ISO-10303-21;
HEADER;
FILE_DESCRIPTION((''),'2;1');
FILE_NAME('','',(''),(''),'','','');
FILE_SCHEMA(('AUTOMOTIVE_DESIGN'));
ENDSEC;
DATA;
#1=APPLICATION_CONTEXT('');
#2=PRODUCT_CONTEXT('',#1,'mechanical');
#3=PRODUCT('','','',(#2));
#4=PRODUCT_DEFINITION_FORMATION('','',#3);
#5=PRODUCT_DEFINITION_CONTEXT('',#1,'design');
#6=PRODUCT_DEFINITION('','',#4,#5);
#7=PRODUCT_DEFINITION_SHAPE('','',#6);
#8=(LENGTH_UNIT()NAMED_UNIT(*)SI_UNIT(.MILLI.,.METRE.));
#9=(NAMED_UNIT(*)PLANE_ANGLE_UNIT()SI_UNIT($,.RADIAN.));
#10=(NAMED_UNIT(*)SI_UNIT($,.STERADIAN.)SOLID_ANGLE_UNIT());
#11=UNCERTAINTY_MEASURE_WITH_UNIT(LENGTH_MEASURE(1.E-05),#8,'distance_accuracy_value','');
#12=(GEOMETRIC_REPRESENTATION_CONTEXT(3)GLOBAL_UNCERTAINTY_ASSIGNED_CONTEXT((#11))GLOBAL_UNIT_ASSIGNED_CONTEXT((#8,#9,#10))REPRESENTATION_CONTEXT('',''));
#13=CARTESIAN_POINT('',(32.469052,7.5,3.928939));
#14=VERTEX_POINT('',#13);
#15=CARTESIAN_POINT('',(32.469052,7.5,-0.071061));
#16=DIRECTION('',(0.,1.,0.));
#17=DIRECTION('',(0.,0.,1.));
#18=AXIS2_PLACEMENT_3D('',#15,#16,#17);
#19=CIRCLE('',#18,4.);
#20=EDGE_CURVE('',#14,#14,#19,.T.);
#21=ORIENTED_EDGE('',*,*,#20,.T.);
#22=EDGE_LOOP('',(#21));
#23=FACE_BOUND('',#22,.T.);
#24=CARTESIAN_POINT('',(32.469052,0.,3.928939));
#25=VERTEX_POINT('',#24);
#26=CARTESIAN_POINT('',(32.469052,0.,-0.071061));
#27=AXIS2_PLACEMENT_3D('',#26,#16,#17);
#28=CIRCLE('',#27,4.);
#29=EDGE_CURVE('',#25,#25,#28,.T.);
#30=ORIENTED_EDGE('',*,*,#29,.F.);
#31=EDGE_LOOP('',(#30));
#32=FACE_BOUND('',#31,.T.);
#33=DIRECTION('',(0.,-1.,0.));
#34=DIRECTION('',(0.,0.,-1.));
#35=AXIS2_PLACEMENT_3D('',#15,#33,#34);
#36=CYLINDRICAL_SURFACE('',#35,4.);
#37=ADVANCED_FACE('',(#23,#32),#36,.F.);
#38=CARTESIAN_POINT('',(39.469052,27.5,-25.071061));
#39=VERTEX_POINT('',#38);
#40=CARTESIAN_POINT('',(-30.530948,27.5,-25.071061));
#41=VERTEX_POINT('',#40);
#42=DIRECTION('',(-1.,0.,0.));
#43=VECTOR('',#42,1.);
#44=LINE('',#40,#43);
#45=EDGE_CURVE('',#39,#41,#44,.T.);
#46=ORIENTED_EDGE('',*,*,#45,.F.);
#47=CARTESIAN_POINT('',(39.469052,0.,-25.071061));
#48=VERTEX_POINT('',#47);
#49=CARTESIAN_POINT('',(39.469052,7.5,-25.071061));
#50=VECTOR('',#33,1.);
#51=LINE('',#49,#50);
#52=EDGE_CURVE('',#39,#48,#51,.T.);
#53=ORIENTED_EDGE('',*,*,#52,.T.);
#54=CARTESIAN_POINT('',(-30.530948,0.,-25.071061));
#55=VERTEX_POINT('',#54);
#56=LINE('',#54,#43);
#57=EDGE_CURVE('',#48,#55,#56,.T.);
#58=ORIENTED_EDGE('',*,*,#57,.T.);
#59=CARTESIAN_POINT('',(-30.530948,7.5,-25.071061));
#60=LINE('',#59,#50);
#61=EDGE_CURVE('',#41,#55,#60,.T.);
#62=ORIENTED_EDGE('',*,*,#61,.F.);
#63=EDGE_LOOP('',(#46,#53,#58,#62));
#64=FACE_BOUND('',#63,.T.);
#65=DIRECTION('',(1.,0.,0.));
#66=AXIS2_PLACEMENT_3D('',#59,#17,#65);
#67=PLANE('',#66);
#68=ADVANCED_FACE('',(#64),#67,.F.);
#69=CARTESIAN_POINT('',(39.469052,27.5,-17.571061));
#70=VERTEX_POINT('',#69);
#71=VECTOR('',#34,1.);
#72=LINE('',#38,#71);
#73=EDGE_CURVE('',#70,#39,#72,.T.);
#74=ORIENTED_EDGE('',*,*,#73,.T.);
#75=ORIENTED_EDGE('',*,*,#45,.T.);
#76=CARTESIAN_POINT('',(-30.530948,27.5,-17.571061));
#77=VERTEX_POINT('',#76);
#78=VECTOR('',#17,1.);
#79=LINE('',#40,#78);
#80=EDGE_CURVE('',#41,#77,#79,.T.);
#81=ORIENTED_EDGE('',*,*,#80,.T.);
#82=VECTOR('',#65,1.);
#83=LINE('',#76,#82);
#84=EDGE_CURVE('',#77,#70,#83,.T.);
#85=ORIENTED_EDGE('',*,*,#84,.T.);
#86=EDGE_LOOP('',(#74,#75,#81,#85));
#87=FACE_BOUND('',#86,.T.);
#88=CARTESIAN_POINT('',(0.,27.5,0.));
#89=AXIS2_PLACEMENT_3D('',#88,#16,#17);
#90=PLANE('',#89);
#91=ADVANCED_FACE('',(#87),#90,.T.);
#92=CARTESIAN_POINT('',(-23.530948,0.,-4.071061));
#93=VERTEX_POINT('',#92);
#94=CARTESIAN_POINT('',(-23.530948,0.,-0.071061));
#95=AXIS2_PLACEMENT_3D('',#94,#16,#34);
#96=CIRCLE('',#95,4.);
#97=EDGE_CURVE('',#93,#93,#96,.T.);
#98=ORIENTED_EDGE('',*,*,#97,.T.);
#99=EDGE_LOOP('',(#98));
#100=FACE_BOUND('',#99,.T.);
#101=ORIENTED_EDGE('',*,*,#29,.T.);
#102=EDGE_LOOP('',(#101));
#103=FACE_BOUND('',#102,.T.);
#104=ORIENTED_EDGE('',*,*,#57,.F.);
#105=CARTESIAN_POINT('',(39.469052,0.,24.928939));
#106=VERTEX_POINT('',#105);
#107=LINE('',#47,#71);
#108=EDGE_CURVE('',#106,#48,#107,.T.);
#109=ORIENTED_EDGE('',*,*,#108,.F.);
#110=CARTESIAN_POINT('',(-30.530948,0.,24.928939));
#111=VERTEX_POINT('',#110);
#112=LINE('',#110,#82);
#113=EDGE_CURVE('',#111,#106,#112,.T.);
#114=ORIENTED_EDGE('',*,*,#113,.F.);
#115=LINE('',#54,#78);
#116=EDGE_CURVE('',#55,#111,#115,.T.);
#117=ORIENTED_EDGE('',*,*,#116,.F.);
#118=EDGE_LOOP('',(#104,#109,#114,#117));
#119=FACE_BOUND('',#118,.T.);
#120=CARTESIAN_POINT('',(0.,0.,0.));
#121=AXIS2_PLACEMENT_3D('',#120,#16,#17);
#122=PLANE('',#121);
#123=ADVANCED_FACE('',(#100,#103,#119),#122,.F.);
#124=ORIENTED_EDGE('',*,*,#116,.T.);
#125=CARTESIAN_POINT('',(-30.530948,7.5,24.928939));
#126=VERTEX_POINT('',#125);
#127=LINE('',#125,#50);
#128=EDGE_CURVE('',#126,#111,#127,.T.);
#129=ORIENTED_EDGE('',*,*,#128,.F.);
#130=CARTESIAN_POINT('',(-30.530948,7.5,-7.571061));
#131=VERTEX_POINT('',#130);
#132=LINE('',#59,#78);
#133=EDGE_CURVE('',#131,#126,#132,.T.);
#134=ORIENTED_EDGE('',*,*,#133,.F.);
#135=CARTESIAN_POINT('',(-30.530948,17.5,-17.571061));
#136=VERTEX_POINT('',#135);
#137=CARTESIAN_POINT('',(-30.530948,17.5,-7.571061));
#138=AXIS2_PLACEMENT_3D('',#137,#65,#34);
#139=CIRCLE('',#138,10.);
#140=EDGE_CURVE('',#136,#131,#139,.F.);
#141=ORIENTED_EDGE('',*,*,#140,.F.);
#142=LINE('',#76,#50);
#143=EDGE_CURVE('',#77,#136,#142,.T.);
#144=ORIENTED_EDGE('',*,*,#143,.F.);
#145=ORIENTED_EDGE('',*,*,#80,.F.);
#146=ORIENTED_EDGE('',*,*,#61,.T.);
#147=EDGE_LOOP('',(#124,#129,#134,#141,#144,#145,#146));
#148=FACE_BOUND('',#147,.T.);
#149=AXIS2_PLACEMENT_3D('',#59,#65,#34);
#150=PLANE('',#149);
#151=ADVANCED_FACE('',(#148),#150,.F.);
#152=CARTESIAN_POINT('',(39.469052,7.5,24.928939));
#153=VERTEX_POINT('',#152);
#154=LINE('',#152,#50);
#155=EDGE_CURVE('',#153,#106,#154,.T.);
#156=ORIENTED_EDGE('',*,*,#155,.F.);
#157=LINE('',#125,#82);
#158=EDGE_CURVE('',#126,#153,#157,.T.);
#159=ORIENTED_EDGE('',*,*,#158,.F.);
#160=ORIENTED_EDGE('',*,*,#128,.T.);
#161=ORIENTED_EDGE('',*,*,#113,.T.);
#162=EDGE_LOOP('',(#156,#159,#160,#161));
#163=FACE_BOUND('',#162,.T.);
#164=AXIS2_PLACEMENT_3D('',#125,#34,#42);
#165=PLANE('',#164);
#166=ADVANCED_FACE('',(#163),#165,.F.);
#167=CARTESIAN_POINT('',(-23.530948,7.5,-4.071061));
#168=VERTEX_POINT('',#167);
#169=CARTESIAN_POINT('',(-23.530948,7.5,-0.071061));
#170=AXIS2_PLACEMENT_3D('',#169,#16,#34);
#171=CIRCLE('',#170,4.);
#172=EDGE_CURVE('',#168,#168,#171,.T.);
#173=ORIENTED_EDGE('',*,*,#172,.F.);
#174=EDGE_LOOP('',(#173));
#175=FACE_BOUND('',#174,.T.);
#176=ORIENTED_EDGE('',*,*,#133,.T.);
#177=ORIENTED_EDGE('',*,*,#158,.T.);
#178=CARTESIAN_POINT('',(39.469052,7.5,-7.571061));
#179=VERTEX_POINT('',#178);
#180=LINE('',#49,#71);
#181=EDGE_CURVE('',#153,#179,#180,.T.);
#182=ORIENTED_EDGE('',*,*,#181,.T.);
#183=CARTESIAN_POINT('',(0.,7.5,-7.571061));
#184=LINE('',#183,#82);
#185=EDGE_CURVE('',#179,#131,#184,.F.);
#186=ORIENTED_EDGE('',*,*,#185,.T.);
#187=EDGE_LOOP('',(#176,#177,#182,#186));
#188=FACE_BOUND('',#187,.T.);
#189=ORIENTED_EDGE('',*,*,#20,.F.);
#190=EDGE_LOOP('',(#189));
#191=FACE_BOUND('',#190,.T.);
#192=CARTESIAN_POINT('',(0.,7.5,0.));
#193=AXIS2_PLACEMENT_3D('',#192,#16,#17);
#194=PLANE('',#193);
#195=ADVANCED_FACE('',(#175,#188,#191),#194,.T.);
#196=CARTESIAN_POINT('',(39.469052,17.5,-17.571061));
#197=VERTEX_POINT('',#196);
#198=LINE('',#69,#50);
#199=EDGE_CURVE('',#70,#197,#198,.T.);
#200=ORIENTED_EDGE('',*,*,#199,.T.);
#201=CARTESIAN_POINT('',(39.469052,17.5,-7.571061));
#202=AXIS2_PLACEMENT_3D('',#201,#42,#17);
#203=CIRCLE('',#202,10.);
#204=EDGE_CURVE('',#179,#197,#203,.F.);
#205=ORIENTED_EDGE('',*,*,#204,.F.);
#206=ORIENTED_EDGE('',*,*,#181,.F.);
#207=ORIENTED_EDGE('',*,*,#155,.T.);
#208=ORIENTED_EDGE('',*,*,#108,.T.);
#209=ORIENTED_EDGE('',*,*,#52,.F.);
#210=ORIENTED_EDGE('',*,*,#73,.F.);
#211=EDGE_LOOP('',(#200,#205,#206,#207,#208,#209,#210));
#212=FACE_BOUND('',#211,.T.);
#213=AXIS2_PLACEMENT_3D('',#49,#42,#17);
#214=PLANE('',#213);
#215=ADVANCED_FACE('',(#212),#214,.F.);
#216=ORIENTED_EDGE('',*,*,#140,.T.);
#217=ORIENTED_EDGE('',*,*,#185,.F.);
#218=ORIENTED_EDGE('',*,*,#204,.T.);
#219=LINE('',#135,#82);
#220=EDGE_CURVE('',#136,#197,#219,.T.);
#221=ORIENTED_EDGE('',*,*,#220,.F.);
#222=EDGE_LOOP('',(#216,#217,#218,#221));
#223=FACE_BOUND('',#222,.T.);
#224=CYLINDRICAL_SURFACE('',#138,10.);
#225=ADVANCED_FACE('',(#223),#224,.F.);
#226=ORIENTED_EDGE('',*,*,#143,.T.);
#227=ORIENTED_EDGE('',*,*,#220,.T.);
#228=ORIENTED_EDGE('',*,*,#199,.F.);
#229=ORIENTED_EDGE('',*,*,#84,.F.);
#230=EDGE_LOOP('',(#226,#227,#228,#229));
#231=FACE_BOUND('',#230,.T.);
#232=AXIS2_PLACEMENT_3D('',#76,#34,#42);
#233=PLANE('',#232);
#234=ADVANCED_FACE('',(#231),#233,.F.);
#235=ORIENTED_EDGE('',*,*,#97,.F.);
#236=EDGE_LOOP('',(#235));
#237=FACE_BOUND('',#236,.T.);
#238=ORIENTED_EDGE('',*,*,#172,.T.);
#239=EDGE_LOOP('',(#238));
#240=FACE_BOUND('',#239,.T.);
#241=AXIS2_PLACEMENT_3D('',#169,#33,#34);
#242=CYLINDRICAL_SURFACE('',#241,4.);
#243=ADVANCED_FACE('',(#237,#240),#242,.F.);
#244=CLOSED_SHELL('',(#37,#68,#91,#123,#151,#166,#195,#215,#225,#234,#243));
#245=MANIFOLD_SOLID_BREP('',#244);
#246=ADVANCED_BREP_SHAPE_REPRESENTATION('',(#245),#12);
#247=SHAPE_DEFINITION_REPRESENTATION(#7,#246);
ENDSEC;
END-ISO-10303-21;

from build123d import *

# Parameters (mm, degrees)
SKETCH3_W           = 70
SKETCH3_H           = 50
SKETCH3_R           = 4
BOSS_EXTRUDE1_DEPTH = 7.5
SKETCH4_W           = 70
SKETCH4_H           = 7.5
BOSS_EXTRUDE2_DEPTH = 20
FILLET3_R           = 10


with BuildPart() as part:
    # Sketch3 → Boss-Extrude1 (new body)
    with BuildSketch(Plane(origin=(0, 0, 0), x_dir=(1, 0, 0), z_dir=(0, 1, 0))):
        with Locations((4.469051839, 0.071060676)):
            Rectangle(SKETCH3_W, SKETCH3_H)
        with Locations(Location((32.469051839, 0.071060676, 0), (0, 0, 270))):
            Circle(SKETCH3_R, mode=Mode.SUBTRACT)
        with Locations(Location((-23.530948161, 0.071060676, 0), (0, 0, 90))):
            Circle(SKETCH3_R, mode=Mode.SUBTRACT)
    extrude(amount=BOSS_EXTRUDE1_DEPTH)

    # Sketch4 → Boss-Extrude2 (add)
    with BuildSketch(Plane(origin=(0, 7.5, 0), x_dir=(1, 0, 0), z_dir=(0, 1, 0))):
        with Locations((4.469051839, 21.321060676)):
            Rectangle(SKETCH4_W, SKETCH4_H)
    extrude(amount=BOSS_EXTRUDE2_DEPTH)

    # Fillet3
    fillet3_edges = [part.edges().sort_by_distance(p)[0] for p in [
        (4.469051839, 7.5, -17.571060676),
    ]]
    fillet(fillet3_edges, radius=FILLET3_R)


solid = part.part
